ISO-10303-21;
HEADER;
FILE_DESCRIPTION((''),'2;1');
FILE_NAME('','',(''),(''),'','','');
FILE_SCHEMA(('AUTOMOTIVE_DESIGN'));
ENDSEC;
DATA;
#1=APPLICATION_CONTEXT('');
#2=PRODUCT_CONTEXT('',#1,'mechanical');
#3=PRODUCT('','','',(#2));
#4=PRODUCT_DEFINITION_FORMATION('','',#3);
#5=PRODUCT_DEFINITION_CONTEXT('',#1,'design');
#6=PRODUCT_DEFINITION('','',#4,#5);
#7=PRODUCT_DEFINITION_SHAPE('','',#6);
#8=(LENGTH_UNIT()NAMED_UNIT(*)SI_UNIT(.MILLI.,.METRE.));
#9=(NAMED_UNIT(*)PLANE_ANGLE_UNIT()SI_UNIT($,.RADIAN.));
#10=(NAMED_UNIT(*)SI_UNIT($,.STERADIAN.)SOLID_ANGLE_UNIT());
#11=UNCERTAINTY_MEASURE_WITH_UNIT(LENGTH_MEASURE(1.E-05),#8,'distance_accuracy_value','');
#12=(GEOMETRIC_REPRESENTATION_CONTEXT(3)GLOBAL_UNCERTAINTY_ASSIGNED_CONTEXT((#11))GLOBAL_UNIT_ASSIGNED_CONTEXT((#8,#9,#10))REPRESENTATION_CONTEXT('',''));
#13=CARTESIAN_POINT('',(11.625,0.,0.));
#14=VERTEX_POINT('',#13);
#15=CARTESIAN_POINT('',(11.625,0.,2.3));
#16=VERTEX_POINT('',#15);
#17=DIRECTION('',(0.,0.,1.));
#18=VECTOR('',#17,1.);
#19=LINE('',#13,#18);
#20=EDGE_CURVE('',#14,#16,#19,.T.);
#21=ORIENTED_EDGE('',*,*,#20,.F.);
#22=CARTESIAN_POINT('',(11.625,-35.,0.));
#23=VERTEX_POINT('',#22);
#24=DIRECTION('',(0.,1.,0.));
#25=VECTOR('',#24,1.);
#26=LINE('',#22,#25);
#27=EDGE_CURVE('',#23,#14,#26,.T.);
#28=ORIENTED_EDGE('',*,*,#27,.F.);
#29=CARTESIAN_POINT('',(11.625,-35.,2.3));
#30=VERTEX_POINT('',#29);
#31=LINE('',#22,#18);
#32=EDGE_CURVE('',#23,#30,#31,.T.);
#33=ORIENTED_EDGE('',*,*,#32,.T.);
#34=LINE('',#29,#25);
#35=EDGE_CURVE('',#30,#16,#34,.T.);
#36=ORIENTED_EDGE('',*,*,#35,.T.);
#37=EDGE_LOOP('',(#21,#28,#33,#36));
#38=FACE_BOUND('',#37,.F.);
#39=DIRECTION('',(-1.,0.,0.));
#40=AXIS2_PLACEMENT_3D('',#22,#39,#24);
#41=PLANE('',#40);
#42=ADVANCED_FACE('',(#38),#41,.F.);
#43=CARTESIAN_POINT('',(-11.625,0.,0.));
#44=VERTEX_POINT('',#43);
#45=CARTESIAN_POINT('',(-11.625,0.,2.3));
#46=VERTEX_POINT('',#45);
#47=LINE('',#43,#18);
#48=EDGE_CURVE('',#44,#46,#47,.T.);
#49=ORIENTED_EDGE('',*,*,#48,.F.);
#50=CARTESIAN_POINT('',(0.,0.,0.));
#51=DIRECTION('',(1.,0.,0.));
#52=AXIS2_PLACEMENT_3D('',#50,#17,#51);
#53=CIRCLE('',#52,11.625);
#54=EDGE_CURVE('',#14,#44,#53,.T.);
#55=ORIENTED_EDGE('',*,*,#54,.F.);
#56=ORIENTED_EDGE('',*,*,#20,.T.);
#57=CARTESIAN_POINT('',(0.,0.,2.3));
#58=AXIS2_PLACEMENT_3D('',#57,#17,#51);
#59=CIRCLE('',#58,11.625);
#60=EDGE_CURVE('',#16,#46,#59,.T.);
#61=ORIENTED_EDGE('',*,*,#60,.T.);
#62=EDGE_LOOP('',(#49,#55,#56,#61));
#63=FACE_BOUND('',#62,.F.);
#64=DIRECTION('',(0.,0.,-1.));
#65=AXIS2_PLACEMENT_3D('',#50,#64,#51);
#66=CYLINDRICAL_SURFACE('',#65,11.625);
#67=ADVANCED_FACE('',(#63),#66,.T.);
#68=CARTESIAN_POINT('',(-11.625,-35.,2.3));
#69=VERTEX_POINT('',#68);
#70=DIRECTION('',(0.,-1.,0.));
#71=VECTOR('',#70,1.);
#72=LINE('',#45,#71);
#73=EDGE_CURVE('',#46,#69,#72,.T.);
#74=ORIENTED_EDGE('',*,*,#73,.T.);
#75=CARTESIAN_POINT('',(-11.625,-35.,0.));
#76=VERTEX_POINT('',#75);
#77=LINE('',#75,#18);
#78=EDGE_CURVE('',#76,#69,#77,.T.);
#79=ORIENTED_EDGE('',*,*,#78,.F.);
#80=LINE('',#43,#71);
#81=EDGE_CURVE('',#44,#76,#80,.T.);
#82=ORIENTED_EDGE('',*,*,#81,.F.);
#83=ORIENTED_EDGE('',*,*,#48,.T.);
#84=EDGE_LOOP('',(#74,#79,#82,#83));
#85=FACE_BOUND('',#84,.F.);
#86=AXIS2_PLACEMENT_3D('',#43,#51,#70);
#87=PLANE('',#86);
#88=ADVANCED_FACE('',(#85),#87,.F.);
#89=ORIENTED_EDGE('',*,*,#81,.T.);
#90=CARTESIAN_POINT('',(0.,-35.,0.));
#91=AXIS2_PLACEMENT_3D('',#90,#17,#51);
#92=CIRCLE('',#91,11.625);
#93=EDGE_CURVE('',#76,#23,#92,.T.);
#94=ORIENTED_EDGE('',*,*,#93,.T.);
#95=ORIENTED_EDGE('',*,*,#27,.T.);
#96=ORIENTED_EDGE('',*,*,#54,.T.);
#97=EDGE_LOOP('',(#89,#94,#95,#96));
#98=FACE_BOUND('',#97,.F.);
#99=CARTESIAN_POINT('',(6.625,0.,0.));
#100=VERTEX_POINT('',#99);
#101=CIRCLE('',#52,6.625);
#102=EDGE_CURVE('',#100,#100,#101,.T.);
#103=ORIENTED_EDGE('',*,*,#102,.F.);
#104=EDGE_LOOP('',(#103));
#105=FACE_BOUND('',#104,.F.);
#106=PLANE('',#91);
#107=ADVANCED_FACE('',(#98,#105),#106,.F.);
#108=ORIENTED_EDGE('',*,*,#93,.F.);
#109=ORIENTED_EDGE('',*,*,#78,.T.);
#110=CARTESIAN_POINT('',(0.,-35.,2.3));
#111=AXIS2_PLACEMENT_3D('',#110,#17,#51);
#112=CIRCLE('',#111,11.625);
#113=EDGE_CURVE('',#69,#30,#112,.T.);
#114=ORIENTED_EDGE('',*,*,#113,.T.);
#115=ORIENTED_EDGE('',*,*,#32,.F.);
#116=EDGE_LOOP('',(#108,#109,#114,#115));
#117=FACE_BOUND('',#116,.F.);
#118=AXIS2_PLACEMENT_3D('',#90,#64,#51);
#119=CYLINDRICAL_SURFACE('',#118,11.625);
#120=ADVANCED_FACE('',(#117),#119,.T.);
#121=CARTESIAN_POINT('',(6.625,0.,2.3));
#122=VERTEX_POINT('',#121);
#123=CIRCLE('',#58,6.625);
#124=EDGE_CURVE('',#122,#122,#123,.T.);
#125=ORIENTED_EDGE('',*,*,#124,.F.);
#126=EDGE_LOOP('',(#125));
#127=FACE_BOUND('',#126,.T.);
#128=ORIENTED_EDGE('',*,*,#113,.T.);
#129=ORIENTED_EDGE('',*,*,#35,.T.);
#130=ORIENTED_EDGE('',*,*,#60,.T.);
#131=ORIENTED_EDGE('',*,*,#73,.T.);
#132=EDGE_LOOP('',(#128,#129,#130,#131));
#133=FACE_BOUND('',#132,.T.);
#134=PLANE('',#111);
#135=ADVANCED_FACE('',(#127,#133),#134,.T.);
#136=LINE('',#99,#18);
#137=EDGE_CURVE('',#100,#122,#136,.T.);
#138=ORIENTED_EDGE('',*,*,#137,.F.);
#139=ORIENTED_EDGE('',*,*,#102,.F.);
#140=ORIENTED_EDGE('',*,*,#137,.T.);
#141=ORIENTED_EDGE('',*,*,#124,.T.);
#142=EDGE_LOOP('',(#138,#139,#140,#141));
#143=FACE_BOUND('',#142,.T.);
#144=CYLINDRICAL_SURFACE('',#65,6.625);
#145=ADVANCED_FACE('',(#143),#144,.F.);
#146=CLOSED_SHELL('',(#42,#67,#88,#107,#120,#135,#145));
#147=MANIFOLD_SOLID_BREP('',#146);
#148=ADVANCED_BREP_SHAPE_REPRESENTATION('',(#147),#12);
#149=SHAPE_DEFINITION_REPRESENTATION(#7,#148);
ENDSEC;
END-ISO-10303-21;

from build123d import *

# Parameters (mm, degrees)
F0_R     = 6.625
F1_DEPTH = 2.3


with BuildPart() as f1:
    # F0 (on Top) → F1 (new body)
    with BuildSketch(Plane.XY):
        with BuildLine():
            ThreePointArc((-11.625, -35), (0, -46.625), (11.625, -35))
            ThreePointArc((11.625, -35), (0, -23.375), (-11.625, -35))
        make_face()
        with BuildLine():
            Line((11.625, -35), (11.625, 0))
            ThreePointArc((11.625, 0), (0, -11.625), (-11.625, 0))
            Line((-11.625, 0), (-11.625, -35))
            ThreePointArc((-11.625, -35), (0, -23.375), (11.625, -35))
        make_face()
        with BuildLine():
            ThreePointArc((-11.625, 0), (0, -11.625), (11.625, 0))
            ThreePointArc((11.625, 0), (0, 11.625), (-11.625, 0))
        make_face()
        Circle(F0_R, mode=Mode.SUBTRACT)
    extrude(amount=F1_DEPTH)


solid = f1.part
